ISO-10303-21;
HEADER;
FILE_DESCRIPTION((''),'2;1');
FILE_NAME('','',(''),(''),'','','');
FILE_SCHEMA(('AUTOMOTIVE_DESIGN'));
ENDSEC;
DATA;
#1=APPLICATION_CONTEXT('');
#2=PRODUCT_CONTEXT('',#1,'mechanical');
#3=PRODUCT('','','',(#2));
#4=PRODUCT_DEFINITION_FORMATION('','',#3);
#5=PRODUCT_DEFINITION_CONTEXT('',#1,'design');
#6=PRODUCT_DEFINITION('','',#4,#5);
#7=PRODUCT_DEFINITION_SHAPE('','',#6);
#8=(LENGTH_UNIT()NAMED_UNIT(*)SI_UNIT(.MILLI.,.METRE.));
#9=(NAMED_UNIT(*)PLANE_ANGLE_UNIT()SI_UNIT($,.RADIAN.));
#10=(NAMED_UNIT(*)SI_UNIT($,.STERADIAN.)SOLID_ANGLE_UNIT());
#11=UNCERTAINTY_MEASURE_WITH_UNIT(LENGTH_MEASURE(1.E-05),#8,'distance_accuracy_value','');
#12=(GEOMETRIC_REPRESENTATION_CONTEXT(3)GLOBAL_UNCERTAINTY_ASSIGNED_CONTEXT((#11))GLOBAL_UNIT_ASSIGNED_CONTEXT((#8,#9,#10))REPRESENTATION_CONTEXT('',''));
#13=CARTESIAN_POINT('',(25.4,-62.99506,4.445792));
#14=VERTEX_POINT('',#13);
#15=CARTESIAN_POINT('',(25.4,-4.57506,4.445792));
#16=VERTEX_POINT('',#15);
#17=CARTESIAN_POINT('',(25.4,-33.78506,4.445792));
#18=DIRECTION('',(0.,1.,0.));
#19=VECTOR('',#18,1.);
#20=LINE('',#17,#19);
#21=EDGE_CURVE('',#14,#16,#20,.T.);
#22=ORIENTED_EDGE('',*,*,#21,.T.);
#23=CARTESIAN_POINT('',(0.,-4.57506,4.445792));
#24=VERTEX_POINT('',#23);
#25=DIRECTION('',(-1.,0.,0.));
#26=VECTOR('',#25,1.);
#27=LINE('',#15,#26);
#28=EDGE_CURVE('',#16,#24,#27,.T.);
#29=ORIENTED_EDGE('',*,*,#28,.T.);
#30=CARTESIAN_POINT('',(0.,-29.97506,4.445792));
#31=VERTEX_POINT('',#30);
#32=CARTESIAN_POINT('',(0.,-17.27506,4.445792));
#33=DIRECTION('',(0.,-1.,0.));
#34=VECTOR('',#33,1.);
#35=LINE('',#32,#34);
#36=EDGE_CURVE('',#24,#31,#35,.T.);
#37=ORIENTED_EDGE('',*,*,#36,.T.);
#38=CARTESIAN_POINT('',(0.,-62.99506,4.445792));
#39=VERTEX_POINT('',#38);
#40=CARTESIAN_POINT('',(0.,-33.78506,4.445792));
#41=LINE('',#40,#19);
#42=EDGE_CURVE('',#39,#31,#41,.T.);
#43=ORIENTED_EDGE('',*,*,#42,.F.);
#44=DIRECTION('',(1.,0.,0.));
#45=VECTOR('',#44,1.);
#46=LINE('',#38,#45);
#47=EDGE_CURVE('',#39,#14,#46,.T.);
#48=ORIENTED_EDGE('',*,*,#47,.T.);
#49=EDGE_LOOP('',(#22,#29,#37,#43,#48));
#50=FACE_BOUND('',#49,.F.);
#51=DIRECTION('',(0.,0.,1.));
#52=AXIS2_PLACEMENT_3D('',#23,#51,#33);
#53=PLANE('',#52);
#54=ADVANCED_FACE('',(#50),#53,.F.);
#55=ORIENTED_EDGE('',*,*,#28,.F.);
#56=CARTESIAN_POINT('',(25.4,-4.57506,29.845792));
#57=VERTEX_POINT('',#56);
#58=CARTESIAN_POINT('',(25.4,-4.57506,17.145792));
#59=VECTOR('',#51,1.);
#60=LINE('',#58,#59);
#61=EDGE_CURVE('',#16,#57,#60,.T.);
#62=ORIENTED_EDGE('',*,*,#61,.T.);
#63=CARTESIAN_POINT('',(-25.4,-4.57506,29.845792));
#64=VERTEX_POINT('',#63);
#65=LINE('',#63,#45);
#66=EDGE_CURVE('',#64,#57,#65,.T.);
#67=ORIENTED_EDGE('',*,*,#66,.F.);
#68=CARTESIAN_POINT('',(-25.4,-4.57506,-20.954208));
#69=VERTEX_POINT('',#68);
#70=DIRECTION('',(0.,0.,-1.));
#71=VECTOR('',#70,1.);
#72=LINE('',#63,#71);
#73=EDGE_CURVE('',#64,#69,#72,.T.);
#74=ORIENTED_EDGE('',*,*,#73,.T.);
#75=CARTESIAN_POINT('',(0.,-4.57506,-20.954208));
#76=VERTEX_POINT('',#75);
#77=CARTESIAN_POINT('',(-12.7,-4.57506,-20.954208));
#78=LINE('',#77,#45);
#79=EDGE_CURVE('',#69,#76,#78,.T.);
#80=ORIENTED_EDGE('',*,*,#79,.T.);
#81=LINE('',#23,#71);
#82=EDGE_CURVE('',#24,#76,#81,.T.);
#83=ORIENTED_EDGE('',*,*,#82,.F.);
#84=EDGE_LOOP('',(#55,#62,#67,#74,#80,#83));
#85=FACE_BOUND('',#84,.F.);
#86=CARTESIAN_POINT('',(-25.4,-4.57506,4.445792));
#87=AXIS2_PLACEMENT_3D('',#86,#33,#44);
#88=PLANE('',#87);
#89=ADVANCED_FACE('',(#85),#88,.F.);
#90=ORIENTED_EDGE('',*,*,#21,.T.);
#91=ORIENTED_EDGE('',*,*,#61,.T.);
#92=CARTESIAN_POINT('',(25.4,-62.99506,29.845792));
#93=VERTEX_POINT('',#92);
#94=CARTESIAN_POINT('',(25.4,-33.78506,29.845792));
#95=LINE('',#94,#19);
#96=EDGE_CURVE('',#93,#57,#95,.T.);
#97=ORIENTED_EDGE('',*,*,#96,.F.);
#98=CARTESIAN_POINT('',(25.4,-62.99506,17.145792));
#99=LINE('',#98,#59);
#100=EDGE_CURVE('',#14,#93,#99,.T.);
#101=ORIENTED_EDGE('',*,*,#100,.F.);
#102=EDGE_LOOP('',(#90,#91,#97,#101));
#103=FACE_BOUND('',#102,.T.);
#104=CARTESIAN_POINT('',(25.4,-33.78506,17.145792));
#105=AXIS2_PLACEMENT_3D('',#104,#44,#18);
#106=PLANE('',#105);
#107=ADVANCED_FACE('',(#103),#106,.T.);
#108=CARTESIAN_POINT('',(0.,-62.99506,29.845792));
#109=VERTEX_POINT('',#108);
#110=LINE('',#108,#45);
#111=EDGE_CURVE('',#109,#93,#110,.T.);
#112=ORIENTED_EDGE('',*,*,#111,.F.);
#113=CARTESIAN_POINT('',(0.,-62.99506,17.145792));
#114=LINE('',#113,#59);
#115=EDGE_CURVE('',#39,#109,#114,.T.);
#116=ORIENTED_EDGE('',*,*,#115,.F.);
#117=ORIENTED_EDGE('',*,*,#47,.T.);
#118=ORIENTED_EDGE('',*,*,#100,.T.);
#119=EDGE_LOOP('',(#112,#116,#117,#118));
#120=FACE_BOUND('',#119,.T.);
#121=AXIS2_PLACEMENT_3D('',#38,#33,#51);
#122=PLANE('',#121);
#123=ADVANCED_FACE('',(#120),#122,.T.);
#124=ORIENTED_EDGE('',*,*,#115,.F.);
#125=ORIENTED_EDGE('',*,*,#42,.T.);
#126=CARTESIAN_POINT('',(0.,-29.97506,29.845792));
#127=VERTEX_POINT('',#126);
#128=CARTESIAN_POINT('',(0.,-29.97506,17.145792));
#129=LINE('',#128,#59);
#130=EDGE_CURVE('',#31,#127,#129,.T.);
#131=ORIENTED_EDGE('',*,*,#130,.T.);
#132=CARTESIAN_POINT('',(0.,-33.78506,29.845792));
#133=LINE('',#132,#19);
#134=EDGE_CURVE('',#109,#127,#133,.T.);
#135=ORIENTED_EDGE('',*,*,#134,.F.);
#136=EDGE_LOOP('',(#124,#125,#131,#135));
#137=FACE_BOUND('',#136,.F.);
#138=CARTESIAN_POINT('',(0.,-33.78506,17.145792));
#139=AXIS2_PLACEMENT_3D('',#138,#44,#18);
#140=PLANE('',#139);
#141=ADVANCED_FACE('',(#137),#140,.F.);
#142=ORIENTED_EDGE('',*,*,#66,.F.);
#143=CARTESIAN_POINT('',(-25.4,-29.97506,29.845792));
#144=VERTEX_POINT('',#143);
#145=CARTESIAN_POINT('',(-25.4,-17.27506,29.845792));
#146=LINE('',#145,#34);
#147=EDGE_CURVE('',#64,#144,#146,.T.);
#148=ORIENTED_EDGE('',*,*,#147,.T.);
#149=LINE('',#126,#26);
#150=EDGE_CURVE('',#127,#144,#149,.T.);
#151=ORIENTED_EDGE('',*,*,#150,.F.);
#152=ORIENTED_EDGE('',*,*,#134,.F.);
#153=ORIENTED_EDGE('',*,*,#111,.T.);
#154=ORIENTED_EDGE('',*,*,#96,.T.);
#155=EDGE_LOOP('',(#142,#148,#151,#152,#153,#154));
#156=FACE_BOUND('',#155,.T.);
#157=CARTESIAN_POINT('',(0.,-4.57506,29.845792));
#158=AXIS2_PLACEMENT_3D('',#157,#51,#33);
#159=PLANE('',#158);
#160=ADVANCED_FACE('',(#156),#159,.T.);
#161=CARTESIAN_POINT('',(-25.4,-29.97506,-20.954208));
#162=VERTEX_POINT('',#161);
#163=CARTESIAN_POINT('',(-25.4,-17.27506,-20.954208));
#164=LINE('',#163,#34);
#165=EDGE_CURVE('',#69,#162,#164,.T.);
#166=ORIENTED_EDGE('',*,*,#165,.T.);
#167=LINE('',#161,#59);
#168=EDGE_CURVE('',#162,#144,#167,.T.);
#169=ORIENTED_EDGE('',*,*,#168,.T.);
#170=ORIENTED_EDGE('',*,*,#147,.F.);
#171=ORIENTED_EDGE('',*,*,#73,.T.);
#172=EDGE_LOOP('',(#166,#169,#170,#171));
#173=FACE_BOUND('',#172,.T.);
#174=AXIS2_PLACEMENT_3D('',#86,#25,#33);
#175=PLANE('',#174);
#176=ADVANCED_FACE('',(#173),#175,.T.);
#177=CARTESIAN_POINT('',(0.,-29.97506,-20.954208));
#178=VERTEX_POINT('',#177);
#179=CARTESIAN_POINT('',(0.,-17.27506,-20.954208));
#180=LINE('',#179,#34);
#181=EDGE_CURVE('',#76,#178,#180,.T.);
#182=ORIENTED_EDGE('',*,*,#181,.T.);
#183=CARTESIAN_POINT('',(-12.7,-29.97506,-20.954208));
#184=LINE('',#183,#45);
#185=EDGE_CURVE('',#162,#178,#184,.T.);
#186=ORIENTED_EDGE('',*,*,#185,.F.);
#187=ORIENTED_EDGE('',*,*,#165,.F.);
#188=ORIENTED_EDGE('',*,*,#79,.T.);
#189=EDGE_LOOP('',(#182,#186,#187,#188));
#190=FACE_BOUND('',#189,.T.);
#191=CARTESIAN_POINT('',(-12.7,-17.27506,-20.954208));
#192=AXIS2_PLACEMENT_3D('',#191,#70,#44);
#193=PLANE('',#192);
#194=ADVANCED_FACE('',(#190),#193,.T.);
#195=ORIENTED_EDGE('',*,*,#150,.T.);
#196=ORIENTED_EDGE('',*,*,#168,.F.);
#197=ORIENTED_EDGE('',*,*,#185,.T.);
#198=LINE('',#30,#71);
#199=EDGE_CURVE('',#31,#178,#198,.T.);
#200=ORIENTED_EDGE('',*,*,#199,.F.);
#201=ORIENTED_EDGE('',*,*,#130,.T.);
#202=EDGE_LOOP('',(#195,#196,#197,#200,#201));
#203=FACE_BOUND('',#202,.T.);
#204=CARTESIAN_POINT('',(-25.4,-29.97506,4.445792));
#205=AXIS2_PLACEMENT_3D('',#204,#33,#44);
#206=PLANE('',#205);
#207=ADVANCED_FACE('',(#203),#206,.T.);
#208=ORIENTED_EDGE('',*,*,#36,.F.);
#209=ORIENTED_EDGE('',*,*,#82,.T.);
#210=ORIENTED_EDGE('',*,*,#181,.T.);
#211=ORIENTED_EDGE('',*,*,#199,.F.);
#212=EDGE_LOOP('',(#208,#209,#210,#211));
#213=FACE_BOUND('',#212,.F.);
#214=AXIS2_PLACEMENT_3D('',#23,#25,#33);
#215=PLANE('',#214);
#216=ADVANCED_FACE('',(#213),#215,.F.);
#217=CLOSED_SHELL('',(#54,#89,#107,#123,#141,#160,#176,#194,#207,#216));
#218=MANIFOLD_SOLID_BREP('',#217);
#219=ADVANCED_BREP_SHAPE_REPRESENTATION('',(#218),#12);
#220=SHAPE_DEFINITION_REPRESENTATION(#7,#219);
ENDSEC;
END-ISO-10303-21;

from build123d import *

# Parameters (mm, degrees)
F0_W     = 58.42
F0_H     = 25.4
F1_DEPTH = 25.4
F2_W     = 25.4
F2_H     = 25.4
F3_DEPTH = 25.4
F4_W     = 25.4
F4_H     = 25.4
F5_DEPTH = 25.4


with BuildPart() as f1:
    # F0 (on Right) → F1 (new body)
    with BuildSketch(Plane.YZ):
        with Locations((-33.78506, 17.145792)):
            Rectangle(F0_W, F0_H)
    extrude(amount=F1_DEPTH)

    # F2 (on face) → F3 (join)
    with BuildSketch(Plane(origin=(0, 0, 0), x_dir=(0, -1, 0), z_dir=(-1, 0, 0))):
        with Locations((17.27506, 17.145792)):
            Rectangle(F2_W, F2_H)
    extrude(amount=F3_DEPTH)

    # F4 (on face) → F5 (join)
    with BuildSketch(Plane(origin=(0, 0, 4.445792), x_dir=(1, 0, 0), z_dir=(0, 0, -1))):
        with Locations((-12.7, 17.27506)):
            Rectangle(F4_W, F4_H)
    extrude(amount=F5_DEPTH)


solid = f1.part
